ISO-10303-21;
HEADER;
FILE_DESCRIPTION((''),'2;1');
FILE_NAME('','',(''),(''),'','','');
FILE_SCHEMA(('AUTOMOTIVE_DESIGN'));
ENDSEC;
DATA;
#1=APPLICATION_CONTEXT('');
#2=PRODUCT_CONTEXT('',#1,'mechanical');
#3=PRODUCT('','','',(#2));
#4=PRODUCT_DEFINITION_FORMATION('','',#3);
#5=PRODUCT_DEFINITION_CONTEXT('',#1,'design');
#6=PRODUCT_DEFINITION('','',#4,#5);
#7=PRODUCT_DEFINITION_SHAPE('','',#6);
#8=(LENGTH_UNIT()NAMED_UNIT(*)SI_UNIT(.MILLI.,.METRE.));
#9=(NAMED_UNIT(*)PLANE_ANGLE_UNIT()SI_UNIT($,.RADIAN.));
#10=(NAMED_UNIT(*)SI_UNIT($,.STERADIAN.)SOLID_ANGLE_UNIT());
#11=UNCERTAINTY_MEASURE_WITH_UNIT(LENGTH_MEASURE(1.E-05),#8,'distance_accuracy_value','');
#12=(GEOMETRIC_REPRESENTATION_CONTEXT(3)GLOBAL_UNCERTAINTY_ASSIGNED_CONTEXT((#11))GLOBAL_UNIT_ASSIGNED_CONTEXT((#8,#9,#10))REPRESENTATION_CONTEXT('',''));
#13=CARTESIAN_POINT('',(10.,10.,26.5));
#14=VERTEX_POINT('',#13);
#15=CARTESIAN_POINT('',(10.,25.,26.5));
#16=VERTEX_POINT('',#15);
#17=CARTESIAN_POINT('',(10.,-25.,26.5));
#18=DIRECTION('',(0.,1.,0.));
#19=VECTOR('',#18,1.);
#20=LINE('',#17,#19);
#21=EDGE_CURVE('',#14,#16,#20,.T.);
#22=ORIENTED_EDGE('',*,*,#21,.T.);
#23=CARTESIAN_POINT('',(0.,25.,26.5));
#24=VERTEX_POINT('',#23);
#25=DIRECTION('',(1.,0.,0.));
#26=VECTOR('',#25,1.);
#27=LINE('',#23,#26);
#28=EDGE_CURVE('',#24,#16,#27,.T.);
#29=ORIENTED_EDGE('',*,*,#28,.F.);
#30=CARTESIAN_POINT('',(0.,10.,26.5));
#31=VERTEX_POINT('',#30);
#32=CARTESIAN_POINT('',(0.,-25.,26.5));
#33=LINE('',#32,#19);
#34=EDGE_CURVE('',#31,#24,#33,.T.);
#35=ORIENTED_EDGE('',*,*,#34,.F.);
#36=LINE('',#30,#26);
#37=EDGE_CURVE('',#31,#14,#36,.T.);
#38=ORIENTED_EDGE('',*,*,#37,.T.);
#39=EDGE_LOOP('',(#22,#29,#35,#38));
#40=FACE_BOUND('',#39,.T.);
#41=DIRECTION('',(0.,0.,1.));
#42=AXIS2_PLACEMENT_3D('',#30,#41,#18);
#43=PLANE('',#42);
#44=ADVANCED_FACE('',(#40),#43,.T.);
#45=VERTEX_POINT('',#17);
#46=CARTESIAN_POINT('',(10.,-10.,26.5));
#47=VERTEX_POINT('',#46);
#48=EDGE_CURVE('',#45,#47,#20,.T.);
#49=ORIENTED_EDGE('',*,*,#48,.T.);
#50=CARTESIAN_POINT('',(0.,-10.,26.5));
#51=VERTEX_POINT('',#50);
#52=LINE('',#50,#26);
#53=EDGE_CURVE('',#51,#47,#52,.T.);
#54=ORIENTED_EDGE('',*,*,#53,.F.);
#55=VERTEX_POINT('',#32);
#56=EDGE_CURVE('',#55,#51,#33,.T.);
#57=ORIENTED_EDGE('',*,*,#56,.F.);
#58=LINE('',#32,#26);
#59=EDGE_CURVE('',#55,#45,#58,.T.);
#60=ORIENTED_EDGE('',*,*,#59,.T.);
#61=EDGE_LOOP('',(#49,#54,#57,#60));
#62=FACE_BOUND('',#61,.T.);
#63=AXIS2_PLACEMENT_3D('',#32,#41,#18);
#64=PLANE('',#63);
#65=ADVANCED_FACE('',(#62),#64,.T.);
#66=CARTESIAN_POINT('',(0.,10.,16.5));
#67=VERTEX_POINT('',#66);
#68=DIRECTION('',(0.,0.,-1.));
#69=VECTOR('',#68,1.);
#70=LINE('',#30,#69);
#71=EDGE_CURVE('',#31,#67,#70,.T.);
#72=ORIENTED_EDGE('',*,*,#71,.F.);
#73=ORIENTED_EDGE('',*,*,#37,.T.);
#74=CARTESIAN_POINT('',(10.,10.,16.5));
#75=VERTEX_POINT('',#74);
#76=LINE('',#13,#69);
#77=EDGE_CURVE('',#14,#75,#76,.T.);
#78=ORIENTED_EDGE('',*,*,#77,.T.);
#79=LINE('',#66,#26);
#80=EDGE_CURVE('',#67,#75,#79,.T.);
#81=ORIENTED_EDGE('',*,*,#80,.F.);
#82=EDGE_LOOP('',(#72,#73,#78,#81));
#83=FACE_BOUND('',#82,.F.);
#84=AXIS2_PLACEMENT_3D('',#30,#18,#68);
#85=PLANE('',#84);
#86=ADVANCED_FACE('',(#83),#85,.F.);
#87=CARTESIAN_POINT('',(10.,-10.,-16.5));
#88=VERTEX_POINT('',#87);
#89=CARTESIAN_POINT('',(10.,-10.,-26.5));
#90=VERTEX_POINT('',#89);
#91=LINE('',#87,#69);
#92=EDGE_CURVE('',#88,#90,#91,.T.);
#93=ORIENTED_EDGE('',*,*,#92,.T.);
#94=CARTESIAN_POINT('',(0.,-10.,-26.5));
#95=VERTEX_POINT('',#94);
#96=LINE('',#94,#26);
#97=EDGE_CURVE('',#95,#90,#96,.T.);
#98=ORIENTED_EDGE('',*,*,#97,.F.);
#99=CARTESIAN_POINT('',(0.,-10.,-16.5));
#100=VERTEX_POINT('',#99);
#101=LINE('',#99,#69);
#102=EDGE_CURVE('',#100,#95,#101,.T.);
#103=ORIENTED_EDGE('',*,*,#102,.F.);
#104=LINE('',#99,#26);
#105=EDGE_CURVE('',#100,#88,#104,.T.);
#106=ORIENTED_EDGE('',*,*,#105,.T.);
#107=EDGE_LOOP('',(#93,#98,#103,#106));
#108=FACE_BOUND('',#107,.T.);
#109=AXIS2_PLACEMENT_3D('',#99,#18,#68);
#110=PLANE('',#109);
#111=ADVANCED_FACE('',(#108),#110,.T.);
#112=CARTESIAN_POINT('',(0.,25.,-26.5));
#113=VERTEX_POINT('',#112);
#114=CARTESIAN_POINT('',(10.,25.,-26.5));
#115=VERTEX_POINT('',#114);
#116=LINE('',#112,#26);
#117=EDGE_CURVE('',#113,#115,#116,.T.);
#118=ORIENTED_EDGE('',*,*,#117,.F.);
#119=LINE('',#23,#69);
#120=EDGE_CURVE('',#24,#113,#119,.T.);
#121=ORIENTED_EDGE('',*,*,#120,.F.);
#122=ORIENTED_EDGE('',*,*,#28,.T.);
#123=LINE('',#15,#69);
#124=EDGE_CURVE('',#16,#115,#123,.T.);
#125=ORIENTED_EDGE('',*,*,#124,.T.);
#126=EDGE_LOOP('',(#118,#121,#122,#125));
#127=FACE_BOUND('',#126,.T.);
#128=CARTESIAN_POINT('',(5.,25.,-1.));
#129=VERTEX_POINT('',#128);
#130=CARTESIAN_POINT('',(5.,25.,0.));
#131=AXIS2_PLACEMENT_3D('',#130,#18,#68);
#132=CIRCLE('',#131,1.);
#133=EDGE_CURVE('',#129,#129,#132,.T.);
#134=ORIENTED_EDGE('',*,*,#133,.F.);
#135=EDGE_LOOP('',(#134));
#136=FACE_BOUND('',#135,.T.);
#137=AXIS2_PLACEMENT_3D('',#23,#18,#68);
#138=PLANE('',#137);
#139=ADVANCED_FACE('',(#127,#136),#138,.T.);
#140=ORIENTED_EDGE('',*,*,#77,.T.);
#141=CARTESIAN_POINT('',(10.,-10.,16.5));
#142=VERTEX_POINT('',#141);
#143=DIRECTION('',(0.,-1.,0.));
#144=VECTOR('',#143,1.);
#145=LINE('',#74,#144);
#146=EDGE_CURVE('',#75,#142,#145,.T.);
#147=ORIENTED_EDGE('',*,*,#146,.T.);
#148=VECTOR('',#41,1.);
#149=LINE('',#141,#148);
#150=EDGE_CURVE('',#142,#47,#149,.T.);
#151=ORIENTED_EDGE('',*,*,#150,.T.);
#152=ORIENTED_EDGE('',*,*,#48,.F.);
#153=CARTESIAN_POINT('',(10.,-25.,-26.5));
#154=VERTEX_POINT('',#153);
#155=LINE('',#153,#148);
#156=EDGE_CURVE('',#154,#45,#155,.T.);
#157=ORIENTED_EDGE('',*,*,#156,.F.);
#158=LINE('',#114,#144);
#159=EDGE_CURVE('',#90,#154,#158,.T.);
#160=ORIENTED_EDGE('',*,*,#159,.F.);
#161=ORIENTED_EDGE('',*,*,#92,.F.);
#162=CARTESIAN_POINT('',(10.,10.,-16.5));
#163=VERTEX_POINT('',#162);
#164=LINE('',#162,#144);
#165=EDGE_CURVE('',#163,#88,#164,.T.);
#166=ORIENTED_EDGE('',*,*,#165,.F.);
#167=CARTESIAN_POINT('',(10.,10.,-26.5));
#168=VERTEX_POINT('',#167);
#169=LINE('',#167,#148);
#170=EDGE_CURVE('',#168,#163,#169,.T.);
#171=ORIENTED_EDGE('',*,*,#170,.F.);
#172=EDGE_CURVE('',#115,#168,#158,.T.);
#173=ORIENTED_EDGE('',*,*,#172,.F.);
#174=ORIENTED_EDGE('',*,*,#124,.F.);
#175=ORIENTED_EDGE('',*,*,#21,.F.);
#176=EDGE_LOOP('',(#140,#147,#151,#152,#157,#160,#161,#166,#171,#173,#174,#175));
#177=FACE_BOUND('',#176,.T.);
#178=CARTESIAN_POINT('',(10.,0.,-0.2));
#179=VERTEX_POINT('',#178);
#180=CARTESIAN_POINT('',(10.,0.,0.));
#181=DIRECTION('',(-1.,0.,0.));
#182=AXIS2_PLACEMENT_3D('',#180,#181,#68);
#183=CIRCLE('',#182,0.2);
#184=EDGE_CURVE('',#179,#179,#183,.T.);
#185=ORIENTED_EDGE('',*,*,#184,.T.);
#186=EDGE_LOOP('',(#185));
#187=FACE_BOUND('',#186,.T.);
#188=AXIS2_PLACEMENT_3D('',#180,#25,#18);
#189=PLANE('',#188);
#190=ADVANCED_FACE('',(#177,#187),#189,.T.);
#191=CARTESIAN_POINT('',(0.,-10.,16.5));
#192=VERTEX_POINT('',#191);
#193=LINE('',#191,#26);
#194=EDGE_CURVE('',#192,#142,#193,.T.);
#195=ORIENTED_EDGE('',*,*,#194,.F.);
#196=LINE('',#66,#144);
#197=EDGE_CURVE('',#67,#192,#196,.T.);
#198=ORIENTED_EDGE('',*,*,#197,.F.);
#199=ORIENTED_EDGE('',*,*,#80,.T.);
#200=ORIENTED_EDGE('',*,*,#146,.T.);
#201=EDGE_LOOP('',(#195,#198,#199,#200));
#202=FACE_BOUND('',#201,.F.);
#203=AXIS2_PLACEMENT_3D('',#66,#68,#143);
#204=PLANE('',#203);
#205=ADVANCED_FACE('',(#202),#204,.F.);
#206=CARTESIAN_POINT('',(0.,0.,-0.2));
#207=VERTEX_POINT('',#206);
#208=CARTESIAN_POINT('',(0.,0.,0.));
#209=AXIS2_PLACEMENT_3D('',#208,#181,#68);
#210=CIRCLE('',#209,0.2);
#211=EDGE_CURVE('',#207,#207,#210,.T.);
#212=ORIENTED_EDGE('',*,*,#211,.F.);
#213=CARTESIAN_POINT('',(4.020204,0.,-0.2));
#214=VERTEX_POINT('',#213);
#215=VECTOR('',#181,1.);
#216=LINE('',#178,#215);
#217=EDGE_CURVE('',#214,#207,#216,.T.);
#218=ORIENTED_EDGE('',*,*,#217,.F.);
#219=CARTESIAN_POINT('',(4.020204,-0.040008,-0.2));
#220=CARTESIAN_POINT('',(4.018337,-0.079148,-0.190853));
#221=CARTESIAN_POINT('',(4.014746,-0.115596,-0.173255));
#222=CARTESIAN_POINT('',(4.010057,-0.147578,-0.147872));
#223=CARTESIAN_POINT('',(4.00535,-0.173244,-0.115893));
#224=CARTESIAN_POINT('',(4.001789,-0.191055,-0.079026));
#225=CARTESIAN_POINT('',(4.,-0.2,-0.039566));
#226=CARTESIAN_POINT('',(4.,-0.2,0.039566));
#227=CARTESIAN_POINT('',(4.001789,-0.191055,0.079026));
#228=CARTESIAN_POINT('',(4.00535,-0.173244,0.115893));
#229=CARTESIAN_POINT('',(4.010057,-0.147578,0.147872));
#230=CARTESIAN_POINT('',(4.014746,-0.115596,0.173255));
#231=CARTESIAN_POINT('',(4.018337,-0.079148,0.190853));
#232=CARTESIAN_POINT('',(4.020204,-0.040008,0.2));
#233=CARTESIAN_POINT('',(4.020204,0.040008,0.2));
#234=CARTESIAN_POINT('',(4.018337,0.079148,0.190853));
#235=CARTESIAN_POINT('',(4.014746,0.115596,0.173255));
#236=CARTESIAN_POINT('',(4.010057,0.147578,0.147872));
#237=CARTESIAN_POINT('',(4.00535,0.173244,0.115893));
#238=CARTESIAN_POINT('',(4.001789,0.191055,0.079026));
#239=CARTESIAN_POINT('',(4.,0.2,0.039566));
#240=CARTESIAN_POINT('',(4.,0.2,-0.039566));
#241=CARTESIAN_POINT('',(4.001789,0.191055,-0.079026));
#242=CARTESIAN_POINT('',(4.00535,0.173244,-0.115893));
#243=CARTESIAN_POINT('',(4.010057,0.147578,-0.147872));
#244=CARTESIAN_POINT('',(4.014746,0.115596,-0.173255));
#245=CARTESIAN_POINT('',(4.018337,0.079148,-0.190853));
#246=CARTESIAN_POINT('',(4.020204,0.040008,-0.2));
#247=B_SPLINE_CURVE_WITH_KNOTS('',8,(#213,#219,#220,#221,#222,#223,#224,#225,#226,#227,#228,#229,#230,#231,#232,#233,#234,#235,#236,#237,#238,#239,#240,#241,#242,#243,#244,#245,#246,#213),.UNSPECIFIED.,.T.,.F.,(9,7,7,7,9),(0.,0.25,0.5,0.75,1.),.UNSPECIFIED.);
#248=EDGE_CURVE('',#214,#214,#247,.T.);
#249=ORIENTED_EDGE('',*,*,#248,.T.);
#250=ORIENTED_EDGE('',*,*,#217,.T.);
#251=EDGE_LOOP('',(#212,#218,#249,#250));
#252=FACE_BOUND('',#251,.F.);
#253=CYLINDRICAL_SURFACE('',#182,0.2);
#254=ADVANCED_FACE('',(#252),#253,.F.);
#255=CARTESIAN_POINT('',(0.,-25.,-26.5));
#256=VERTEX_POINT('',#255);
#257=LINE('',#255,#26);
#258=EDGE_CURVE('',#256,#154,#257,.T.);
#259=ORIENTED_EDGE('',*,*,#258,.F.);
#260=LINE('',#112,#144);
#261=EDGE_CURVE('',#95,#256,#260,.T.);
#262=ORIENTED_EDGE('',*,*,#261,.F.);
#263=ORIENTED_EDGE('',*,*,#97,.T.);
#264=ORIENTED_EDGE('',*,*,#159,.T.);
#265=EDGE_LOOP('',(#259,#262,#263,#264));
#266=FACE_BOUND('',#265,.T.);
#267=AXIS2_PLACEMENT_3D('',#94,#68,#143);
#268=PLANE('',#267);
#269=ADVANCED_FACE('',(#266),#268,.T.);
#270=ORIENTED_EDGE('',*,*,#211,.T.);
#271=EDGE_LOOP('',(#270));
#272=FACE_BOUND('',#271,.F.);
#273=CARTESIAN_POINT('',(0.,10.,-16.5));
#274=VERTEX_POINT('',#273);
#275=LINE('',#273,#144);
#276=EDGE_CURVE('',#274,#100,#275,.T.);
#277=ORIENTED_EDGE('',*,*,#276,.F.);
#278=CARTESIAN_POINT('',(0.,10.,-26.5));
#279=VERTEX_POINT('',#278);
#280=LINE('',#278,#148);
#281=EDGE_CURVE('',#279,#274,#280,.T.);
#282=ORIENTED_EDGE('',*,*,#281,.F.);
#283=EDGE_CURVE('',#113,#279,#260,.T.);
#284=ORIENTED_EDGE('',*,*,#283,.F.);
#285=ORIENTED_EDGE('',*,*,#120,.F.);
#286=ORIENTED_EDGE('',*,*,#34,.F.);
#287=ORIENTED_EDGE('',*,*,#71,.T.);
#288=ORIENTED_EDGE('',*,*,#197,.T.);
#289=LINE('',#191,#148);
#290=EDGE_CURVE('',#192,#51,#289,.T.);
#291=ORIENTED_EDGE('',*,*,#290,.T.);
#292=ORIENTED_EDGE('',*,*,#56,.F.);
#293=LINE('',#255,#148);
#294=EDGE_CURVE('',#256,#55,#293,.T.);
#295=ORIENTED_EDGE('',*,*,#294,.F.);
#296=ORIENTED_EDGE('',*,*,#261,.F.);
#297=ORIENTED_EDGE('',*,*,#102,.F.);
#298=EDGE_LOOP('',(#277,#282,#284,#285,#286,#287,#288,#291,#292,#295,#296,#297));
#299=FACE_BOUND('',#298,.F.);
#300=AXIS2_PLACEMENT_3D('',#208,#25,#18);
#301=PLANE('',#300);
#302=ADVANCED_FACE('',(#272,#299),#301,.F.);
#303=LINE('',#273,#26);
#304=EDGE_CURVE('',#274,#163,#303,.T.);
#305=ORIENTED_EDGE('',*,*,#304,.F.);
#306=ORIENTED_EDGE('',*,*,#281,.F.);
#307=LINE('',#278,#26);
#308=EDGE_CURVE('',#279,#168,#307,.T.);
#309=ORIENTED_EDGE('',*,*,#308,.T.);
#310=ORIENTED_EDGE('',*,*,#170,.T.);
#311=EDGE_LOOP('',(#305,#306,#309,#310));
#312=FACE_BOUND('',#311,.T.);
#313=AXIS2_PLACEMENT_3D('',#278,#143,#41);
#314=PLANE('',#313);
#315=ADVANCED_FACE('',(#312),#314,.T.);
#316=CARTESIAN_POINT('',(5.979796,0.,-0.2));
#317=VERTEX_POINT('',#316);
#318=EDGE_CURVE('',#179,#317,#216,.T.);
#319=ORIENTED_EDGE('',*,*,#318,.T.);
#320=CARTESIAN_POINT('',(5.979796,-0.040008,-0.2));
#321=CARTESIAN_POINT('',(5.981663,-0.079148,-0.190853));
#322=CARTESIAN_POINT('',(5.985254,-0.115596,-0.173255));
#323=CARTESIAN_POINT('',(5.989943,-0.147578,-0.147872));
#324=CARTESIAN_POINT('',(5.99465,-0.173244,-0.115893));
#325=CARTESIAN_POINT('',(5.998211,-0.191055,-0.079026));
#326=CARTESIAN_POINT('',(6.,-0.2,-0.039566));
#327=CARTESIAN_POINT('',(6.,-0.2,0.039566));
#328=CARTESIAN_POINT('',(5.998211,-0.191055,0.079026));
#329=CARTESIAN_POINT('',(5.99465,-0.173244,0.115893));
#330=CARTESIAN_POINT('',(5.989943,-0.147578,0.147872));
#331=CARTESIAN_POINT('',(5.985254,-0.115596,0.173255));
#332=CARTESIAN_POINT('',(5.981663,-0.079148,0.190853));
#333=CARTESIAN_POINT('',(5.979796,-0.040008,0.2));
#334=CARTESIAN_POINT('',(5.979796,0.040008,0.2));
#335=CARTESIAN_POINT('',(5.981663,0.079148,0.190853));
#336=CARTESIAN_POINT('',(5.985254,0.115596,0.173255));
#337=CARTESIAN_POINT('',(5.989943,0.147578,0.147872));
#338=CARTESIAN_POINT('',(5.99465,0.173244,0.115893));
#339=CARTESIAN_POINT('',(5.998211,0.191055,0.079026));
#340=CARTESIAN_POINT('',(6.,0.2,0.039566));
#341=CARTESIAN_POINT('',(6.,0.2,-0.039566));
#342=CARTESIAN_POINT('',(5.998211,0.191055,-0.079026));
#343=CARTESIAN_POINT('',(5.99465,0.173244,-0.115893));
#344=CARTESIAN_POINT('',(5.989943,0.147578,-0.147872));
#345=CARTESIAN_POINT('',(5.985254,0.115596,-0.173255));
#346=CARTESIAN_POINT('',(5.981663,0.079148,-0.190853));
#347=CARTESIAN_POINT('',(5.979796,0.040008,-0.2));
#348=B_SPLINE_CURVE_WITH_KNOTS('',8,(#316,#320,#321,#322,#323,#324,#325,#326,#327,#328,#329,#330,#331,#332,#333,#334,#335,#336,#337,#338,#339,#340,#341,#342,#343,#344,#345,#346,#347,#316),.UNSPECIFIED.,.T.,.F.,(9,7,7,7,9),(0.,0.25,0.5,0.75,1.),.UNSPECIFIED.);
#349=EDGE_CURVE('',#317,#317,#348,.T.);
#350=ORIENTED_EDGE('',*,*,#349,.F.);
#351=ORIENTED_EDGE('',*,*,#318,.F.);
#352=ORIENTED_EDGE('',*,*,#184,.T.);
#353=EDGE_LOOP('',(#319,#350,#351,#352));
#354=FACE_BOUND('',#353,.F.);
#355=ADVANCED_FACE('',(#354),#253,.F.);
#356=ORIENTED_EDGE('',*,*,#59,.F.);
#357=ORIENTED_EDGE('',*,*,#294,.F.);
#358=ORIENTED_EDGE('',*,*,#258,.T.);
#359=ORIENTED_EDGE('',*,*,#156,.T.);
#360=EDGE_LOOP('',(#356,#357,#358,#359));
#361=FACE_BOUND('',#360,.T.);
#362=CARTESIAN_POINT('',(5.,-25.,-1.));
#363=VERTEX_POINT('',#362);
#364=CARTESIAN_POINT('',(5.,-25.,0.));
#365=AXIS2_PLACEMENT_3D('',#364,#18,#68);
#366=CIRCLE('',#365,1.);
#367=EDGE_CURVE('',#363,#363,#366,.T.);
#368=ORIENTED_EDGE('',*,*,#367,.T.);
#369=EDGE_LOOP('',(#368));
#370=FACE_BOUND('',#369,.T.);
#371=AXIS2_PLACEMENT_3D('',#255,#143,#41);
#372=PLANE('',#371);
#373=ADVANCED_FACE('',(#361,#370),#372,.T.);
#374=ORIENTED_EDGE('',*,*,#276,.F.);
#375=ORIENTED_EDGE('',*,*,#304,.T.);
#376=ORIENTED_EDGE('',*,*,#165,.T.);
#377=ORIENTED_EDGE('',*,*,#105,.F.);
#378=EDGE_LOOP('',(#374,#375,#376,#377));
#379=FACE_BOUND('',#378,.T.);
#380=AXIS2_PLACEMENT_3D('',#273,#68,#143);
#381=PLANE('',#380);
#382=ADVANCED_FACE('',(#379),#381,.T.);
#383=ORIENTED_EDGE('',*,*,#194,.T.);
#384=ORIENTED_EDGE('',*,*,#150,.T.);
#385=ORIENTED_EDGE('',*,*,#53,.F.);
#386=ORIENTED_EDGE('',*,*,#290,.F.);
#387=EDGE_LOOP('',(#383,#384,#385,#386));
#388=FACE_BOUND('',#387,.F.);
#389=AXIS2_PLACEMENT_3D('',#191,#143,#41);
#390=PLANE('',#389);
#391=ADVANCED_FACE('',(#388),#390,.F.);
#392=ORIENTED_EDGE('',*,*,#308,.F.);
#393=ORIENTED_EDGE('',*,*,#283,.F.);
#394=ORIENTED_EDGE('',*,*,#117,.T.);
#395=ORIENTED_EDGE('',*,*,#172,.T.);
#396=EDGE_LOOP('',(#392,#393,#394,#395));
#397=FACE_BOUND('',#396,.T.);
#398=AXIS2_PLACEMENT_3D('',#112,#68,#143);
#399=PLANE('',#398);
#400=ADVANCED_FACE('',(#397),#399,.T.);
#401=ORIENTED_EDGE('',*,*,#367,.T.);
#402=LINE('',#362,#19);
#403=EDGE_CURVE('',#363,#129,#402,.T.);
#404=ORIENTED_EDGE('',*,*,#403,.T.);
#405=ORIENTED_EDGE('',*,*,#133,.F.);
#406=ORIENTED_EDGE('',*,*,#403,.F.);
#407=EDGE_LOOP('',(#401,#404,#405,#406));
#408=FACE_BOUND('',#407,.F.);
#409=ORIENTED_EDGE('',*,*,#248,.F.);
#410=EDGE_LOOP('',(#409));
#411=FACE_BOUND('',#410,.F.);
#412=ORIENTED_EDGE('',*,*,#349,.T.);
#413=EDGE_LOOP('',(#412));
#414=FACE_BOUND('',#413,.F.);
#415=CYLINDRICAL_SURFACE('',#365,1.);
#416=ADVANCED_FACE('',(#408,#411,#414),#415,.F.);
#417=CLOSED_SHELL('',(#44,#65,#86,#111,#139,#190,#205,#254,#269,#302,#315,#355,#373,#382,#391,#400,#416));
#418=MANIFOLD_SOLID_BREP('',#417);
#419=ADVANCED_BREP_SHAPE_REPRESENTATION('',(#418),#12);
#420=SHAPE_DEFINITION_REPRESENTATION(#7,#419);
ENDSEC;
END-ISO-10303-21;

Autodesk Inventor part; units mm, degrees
ref_plane "YZ Plane" through (0, 0, 0) normal (1, 0, 0) x (0, 1, 0)
ref_plane "XZ Plane" through (0, 0, 0) normal (0, 1, 0) x (-1, 0, 0)
ref_plane "XY Plane" through (0, 0, 0) normal (0, 0, 1) x (1, 0, 0)
sketch "Sketch3" plane through (0, 0, 0) normal (1, 0, 0) x (0, 1, 0)
  line L0 (25, -26.5) -> (-25, -26.5)
  line L1 (-25, -26.5) -> (-25, 26.5)
  line L2 (-25, 26.5) -> (25, 26.5)
  line L3 (25, 26.5) -> (25, -26.5)
  line L4 (25, -26.5) -> (-25, 26.5) construction
  line L5 (-25, -26.5) -> (25, 26.5) construction
  line L6 (25, 26.5) -> (10, 26.5)
  line L7 (10, 26.5) -> (10, 16.5)
  line L8 (10, 16.5) -> (-10, 16.5)
  line L9 (-10, 16.5) -> (-10, 26.5)
  line L10 (-10, 26.5) -> (-25, 26.5)
  line L11 (25, -26.5) -> (10, -26.5)
  line L12 (10, -26.5) -> (10, -16.5)
  line L13 (10, -16.5) -> (-10, -16.5)
  line L14 (-10, -16.5) -> (-10, -26.5)
  line L15 (-10, -26.5) -> (-25, -26.5)
  point P0 (0, 0)
  dimension "d0" = 50
  dimension "d1" = 53
  dimension "d2" = 15
  dimension "d3" = 10
  dimension "d4" = 20
  dimension "d5" = 10
  dimension "d6" = 15
  dimension "d7" = 10
  dimension "d8" = 20
  dimension "d9" = 10
  dimension "d10" = 15
extrude "Extrusion1" add sketch "Sketch3" along normal blind 10 contours L0 L12 L13 L14 L1 L2 L9 L8 L7 L3
sketch "Sketch5" plane through (10, 0, 0) normal (1, 0, 0) x (0, 0, -1)
  circle A0 centre (0, 0) radius 0.2
  dimension "d13" = 0.4
hole "Hole1" at (10, 0, 0) direction (-1, 0, 0) diameter 0.4 depth 10
sketch "Sketch6" plane through (0, -25, -26.5) normal (0, -1, 0) x (1, 0, 0)
  circle A0 centre (5, 26.5) radius 2.5
hole "Hole2" at (5, -25, 0) direction (0, 1, 0) diameter 2 depth 50
properties part number "prepazka_kola"
